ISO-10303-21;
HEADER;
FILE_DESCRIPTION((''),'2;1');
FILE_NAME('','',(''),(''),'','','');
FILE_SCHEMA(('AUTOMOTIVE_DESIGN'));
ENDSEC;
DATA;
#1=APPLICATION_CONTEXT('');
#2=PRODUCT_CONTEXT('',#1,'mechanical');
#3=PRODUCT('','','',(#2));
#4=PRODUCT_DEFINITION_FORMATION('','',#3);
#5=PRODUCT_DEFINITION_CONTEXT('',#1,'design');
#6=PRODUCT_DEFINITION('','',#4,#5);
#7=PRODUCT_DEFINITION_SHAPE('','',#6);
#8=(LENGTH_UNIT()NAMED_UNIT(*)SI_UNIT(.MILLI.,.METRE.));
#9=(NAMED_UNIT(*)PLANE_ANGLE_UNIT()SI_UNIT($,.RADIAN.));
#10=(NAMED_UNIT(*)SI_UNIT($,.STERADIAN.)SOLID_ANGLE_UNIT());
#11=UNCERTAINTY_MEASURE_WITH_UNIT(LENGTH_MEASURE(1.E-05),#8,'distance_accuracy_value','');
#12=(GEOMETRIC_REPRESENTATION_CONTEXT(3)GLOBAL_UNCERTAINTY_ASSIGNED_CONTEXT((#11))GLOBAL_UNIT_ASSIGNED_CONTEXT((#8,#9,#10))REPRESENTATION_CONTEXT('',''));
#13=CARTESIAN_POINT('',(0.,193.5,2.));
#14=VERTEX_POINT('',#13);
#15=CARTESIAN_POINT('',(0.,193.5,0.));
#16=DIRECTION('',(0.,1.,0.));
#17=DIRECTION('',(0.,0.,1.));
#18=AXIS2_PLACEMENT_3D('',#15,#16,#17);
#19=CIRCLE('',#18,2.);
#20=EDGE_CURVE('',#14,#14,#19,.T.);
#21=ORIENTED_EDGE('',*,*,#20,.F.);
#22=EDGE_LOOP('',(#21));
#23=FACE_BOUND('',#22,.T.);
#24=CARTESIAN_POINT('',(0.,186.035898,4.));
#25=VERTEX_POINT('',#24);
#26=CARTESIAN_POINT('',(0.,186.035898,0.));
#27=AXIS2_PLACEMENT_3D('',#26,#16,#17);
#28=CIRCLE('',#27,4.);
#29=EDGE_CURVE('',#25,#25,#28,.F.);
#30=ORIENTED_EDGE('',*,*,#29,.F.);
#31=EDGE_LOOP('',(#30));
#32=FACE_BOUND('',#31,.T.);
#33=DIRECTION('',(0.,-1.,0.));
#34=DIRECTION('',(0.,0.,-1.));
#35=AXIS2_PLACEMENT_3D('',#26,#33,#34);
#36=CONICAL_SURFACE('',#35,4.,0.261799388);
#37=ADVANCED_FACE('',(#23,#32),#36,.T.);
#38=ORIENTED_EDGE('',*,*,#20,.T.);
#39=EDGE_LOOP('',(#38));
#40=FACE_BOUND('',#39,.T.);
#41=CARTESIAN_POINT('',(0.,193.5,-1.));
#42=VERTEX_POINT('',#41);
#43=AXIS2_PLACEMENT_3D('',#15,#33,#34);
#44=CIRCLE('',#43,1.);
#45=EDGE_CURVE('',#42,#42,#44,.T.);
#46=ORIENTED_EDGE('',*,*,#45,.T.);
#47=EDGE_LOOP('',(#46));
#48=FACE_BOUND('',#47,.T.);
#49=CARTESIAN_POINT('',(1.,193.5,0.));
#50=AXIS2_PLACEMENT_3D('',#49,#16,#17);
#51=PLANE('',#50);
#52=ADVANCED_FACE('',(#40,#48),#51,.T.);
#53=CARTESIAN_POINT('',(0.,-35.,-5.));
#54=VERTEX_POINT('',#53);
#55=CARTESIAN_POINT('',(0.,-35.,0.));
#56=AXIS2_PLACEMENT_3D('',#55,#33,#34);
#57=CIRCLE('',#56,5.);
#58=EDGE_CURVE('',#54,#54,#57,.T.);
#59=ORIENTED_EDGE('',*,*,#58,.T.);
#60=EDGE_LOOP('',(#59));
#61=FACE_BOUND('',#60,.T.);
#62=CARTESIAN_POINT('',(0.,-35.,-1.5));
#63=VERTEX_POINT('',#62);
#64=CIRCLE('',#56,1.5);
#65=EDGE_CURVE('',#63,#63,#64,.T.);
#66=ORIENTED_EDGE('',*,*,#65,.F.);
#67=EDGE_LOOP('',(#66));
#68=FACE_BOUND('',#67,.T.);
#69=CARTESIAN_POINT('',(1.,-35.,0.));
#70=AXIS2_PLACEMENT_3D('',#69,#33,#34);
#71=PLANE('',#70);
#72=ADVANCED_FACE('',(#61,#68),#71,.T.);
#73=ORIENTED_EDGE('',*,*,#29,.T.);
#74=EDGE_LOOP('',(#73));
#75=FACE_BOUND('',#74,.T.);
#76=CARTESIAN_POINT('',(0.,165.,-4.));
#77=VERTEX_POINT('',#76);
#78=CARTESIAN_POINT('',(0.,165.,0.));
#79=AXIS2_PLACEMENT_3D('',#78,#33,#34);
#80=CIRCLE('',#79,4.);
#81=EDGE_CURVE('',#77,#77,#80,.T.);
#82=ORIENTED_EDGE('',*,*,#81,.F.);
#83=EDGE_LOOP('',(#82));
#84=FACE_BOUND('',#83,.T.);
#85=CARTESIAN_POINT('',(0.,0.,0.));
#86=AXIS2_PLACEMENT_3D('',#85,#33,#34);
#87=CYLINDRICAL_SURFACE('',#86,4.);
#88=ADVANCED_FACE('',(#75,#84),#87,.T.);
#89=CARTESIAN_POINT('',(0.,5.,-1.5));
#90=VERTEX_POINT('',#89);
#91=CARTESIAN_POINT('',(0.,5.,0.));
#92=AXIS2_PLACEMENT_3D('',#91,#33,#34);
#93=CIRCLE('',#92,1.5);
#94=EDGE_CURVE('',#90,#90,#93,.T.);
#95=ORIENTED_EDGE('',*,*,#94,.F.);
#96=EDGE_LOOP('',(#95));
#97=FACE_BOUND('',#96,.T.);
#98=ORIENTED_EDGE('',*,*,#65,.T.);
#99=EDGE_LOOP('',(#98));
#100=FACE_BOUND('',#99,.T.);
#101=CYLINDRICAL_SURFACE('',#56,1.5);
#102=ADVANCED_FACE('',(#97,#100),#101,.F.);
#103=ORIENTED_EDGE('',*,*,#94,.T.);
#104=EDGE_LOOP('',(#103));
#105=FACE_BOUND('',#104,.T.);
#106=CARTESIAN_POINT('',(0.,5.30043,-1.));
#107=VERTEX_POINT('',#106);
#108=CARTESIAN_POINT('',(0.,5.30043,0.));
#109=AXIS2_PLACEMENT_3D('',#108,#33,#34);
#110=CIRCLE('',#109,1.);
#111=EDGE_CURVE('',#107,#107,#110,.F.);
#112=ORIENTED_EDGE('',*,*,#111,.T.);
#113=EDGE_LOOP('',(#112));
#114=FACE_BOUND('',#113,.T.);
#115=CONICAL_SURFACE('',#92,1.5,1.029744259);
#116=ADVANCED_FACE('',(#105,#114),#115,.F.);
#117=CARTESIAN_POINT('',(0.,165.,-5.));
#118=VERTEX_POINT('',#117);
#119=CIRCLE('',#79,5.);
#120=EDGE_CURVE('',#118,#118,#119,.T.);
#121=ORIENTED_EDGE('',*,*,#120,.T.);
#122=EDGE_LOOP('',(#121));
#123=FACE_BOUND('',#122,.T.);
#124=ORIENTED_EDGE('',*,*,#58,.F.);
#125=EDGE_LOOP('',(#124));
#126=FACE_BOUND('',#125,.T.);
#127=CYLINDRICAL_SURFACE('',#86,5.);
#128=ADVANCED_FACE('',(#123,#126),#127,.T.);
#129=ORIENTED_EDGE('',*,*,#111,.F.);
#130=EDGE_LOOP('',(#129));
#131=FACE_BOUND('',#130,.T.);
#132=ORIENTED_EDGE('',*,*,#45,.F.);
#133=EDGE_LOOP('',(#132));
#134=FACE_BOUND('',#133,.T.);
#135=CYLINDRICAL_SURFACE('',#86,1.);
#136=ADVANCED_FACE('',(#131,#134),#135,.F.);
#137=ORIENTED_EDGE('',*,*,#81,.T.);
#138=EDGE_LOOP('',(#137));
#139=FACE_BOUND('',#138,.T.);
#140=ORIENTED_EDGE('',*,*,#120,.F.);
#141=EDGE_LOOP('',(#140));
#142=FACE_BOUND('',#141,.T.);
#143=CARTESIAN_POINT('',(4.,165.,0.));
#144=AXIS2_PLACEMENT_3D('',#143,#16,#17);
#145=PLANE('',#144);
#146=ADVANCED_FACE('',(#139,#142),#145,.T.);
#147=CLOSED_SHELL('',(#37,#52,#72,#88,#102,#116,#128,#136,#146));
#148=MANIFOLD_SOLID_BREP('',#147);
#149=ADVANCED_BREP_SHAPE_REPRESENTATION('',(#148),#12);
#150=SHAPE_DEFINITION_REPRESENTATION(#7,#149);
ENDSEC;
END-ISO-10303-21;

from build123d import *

# Parameters (mm, degrees)
DIAM_TRE_DU_PER_AGE_3_0_3_1_D     = 3
DIAM_TRE_DU_PER_AGE_3_0_3_1_DEPTH = 40
DIAM_TRE_DU_PER_AGE_3_0_3_1_TIP   = 0.901290929
CHANFREIN1_SIZE                   = 2
CHANFREIN1_SIZE2                  = 7.464101615


with BuildPart() as part:
    # Esquisse1 → Révolution1 (revolve)
    with BuildSketch(Plane.XY, mode=Mode.PRIVATE) as r_volution1_sk:
        Polygon((1, -35), (1, 193.5), (4, 193.5), (4, 165), (5, 165), (5, 20), (5, -35), align=None)
    revolve(r_volution1_sk.sketch.rotate(Axis((0, 0, 0), (0, 1, 0)), 90), axis=Axis((0, 0, 0), (0, 1, 0)))

    # Diamètre du perçage Ø3.0 (3)1
    with Locations(Plane(origin=(0, -35, 0), x_dir=(-1, 0, 0), z_dir=(0, -1, 0))):
        with Locations((0, 0)):
            Hole(DIAM_TRE_DU_PER_AGE_3_0_3_1_D / 2, depth=DIAM_TRE_DU_PER_AGE_3_0_3_1_DEPTH)
            with Locations((0, 0, -(DIAM_TRE_DU_PER_AGE_3_0_3_1_DEPTH + DIAM_TRE_DU_PER_AGE_3_0_3_1_TIP / 2))):  # 118° drill point
                Cone(0, DIAM_TRE_DU_PER_AGE_3_0_3_1_D / 2, DIAM_TRE_DU_PER_AGE_3_0_3_1_TIP, mode=Mode.SUBTRACT)

    # Chanfrein1
    chanfrein1_edges = [part.edges().sort_by_distance(p)[0] for p in [
        (0, 193.5, 4),
    ]]
    chanfrein1_side = [part.faces().sort_by_distance(p)[0] for p in [
        (0, 193.5, 1.113137085),
    ]]
    chamfer(chanfrein1_edges, length=CHANFREIN1_SIZE, length2=CHANFREIN1_SIZE2, reference=chanfrein1_side[0])


solid = part.part
